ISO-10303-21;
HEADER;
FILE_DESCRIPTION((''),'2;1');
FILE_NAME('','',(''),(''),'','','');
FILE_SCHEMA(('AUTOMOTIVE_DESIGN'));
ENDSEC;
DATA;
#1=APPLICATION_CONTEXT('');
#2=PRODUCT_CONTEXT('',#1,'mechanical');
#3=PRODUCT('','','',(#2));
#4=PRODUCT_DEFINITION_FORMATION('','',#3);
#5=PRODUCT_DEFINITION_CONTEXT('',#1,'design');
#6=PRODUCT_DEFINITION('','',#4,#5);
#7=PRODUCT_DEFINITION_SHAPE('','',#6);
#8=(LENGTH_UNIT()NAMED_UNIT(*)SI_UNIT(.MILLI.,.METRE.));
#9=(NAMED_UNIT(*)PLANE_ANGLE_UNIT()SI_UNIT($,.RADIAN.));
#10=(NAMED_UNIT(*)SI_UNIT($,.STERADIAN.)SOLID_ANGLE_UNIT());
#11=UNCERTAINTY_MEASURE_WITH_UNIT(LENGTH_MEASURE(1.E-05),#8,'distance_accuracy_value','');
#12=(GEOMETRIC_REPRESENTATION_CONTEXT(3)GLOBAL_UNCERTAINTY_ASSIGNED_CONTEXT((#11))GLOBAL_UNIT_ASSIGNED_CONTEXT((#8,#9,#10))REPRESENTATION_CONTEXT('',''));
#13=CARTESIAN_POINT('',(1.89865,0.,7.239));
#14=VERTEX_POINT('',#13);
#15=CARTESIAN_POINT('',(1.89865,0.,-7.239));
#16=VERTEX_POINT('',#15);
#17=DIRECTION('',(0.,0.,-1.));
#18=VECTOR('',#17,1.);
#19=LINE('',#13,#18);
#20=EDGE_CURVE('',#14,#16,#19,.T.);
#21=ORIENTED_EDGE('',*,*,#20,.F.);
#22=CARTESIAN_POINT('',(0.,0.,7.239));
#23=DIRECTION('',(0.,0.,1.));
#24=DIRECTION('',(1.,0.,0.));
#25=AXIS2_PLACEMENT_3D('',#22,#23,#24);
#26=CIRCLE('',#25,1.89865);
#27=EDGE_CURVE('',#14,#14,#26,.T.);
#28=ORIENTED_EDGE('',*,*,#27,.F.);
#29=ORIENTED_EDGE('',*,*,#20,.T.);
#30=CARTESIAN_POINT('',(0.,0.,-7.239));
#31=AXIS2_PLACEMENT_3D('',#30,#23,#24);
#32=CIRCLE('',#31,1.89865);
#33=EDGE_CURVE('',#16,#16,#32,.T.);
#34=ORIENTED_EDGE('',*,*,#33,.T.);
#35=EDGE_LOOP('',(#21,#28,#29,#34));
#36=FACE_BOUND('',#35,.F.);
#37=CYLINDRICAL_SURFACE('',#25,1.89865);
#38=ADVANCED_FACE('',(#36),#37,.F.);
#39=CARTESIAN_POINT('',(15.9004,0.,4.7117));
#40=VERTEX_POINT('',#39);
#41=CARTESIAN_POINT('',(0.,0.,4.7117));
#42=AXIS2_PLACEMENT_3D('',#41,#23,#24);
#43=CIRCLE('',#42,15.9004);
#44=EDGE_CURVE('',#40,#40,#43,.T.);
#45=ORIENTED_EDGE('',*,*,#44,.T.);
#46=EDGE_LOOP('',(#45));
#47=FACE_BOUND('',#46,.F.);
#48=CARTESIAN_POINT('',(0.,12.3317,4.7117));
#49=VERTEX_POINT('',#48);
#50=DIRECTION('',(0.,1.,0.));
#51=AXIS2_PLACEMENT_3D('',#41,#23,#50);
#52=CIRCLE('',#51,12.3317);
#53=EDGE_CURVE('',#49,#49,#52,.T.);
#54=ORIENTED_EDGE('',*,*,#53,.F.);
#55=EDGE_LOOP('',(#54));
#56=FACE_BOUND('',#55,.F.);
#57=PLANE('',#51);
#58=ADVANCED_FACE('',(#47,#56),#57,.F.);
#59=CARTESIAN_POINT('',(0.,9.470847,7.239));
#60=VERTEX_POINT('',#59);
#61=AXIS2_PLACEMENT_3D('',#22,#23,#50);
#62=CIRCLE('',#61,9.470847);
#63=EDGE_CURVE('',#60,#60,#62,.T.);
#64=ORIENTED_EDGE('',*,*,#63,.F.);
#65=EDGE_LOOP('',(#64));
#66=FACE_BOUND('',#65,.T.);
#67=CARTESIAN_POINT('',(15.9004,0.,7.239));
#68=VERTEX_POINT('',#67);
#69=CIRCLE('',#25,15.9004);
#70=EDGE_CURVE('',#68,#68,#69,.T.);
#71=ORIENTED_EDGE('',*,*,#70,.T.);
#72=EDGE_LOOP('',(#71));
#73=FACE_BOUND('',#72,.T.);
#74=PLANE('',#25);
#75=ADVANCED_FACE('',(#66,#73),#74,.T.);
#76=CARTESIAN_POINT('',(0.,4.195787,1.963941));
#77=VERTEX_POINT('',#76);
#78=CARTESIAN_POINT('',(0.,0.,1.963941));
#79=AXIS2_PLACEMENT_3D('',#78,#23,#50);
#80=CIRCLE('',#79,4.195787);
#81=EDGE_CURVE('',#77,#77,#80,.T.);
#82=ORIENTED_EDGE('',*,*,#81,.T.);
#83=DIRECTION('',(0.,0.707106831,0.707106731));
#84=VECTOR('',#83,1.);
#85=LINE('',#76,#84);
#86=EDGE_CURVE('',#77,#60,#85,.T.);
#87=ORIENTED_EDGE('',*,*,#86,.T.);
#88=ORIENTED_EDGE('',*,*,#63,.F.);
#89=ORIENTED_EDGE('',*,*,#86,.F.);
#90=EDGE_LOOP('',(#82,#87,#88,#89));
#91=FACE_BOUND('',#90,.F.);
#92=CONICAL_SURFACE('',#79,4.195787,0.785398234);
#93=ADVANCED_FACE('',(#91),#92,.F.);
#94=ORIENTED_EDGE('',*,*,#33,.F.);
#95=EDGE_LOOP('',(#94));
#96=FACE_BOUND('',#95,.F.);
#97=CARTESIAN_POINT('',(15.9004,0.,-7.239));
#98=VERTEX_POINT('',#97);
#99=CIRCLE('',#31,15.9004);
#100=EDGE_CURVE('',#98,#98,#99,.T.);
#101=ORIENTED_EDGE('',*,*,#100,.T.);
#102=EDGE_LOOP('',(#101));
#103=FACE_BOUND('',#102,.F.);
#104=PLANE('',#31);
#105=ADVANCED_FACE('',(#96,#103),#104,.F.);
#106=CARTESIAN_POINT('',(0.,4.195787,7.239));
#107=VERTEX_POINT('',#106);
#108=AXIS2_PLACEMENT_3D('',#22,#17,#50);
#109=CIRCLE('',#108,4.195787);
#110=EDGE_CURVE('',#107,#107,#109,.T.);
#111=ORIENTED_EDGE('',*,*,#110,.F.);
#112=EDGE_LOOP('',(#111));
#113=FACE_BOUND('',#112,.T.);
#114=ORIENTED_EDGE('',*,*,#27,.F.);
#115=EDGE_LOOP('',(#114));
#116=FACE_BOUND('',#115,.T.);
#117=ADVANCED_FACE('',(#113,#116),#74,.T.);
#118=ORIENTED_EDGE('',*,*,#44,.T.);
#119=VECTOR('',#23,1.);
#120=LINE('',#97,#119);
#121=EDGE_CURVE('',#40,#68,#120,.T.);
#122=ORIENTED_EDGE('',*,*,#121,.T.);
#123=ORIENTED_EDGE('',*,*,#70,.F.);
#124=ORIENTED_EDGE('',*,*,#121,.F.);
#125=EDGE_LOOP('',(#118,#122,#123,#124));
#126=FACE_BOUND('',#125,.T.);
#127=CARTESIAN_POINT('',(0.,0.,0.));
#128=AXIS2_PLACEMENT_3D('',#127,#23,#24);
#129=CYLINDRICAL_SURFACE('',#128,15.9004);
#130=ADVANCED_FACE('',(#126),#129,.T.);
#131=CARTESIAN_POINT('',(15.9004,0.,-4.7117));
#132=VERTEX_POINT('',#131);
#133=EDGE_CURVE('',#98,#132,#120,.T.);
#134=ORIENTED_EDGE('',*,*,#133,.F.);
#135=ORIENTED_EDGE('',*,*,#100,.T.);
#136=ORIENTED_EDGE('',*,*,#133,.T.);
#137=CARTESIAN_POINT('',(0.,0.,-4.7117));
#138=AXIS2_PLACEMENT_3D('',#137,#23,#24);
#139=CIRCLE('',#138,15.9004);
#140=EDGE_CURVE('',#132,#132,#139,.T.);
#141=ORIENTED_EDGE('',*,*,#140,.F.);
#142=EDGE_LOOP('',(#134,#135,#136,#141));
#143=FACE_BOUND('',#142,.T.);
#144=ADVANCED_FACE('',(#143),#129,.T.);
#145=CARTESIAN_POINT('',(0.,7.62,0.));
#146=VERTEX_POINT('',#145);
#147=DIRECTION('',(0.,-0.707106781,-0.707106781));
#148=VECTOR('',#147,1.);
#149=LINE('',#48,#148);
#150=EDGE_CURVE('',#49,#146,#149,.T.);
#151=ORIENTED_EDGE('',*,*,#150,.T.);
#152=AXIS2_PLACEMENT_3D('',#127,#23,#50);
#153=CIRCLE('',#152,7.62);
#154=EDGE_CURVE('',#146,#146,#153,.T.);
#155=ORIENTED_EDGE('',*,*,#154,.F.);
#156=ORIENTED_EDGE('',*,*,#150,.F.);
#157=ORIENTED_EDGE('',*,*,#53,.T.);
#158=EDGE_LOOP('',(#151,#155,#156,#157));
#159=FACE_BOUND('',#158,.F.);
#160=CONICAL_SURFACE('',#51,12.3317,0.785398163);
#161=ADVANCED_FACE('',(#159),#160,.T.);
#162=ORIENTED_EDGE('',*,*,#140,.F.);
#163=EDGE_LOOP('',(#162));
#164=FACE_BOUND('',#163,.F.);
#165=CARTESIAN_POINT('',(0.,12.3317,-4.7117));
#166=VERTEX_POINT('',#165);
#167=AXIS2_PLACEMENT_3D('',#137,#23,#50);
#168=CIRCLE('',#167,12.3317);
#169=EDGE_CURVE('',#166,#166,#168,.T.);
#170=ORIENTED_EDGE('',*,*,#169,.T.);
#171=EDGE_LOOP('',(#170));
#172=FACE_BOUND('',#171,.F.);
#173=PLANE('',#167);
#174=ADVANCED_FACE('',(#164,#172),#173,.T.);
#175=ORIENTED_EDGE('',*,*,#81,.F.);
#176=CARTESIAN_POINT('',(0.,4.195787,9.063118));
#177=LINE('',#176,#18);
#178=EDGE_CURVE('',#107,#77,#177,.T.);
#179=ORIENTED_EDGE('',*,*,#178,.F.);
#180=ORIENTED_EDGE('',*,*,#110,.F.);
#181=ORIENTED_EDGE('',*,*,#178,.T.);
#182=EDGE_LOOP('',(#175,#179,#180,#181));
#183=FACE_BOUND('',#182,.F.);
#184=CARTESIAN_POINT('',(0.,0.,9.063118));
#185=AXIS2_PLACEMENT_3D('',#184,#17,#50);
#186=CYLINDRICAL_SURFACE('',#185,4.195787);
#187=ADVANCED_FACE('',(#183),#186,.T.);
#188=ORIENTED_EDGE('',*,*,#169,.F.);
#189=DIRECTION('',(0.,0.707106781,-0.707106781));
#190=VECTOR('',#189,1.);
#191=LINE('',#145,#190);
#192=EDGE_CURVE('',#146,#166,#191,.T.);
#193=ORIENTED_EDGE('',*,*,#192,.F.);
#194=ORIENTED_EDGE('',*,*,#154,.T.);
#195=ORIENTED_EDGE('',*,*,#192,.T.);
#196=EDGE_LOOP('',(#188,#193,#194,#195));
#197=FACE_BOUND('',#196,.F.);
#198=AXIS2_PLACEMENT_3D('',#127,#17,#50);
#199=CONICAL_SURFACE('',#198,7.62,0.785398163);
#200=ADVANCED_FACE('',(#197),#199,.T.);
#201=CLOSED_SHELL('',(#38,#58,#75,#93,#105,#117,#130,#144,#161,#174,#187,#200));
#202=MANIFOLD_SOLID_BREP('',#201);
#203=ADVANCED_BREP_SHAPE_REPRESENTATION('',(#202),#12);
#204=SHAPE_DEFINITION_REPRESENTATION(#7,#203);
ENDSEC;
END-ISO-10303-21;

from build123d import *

# Parameters (mm, degrees)
F0_R     = 15.9004
F1_DEPTH = 7.239
F2_R     = 1.89865
F3_DEPTH = 14.479


with BuildPart() as f1:
    # F0 (on Top) → F1 (new body, symmetric)
    with BuildSketch(Plane.XY):
        Circle(F0_R)
    extrude(amount=F1_DEPTH, both=True)

    # F2 (on face) → F3 (cut, through all)
    with BuildSketch(Plane.XY.offset(7.239)):
        Circle(F2_R)
    extrude(amount=-F3_DEPTH, mode=Mode.SUBTRACT)

    # F4 (on Right) → F5 (revolve, cut)
    with BuildSketch(Plane.YZ):
        Polygon((20.401963, -4.7117), (20.401963, 4.7117), (12.3317, 4.7117), (7.62, 0), (12.3317, -4.7117), align=None)
        Polygon((11.294965, 9.063118), (4.195787, 9.063118), (4.195787, 1.963941), align=None)
    revolve(axis=Axis((0, 0, 4.896712), (0, 0, 1)), mode=Mode.SUBTRACT)


solid = f1.part
